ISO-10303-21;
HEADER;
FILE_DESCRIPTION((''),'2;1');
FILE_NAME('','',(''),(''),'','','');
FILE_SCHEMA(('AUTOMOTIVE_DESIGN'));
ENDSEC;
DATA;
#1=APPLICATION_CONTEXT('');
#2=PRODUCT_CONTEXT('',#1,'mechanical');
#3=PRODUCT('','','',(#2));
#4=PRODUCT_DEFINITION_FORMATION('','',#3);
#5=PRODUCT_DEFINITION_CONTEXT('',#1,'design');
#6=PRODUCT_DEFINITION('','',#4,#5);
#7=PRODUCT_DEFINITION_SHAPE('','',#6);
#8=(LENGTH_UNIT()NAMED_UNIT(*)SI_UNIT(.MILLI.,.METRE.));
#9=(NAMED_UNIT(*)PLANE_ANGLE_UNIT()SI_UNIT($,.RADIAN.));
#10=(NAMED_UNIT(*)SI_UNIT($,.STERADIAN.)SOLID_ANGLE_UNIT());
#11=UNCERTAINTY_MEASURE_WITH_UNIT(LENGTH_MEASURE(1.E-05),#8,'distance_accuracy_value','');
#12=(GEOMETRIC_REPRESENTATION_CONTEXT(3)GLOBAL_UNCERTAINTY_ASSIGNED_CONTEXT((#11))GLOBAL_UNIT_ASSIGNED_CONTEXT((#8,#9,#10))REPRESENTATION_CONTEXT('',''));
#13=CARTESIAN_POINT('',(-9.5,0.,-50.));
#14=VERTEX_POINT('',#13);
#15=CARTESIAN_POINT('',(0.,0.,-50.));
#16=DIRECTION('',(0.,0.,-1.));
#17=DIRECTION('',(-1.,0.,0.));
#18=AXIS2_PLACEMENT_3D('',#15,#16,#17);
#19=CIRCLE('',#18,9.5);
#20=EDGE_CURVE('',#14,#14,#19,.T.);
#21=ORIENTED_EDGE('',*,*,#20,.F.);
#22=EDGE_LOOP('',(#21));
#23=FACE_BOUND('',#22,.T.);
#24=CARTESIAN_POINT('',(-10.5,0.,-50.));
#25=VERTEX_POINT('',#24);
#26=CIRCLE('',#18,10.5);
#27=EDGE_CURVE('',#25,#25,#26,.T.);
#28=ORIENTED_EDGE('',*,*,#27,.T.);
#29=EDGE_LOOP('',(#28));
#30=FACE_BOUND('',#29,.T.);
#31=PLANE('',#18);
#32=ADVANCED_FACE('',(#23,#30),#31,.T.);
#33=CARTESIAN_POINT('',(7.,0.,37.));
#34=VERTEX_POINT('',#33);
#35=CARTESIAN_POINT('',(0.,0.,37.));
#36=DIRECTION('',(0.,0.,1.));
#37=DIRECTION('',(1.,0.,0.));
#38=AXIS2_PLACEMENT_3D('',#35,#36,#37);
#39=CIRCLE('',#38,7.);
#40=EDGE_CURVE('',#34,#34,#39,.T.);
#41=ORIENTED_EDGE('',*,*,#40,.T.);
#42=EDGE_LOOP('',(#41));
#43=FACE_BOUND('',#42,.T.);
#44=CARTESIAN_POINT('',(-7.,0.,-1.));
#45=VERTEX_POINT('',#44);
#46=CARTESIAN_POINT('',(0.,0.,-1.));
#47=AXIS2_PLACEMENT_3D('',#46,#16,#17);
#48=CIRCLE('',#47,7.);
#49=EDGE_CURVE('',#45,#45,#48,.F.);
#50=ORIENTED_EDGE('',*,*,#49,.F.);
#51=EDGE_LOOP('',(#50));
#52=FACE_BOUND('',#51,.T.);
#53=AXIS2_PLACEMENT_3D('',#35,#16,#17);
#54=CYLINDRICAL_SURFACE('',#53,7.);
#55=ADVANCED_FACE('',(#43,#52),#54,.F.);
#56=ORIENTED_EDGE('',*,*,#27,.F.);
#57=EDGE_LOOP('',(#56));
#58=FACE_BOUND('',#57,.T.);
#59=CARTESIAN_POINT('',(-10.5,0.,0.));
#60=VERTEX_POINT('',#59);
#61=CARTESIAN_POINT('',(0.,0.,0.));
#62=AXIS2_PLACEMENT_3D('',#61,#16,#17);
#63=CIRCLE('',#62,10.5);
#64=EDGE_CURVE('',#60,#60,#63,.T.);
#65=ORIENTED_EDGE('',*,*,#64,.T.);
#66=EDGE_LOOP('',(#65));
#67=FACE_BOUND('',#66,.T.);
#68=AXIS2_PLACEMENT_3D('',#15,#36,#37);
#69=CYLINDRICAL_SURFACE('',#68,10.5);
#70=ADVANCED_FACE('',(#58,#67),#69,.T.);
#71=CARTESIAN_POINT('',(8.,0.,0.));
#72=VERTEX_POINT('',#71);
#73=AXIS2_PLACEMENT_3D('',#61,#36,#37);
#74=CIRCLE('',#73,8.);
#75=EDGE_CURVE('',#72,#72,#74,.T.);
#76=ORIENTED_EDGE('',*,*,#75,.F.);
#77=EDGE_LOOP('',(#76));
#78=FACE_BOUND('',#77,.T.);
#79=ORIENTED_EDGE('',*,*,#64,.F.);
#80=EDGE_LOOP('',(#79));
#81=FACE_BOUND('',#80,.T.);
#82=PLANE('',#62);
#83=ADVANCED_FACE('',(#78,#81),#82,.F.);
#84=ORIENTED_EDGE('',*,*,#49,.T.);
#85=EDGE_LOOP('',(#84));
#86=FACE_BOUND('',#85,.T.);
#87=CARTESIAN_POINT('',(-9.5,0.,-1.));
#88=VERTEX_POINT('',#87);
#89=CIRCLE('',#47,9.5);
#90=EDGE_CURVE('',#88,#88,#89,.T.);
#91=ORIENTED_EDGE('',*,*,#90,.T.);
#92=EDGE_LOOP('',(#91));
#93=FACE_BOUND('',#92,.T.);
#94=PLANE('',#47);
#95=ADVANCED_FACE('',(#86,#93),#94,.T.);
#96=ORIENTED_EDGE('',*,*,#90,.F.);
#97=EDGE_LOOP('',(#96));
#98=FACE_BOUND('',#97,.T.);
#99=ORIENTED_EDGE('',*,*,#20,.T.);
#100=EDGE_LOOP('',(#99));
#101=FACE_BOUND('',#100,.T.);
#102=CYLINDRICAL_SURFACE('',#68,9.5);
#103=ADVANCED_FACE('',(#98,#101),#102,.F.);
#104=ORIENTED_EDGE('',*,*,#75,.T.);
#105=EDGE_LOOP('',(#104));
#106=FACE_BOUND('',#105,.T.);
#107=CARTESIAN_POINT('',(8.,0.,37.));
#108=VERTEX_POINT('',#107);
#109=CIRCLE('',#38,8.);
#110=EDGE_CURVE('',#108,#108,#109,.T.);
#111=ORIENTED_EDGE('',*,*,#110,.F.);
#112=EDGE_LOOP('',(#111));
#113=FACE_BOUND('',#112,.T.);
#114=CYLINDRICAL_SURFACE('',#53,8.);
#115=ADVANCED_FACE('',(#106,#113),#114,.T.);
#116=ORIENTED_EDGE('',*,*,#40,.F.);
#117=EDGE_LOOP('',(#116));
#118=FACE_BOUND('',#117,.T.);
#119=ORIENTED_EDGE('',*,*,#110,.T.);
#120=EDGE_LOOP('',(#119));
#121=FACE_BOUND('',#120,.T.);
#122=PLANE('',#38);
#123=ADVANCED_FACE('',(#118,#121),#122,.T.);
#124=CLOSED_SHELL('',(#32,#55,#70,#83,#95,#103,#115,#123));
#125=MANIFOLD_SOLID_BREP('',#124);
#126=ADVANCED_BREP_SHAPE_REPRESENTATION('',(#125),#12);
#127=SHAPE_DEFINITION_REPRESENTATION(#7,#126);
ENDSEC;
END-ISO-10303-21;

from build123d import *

# Parameters (mm, degrees)
SKETCH1_R           = 8
BOSS_EXTRUDE2_DEPTH = 37
SKETCH4_R           = 10.5
BOSS_EXTRUDE4_DEPTH = 50
SHELL1_T            = -1
CUT_EXTRUDE2_REACH  = 90.258
SKETCH5_R           = 9.5


with BuildPart() as part:
    # Sketch1 → Boss-Extrude2 (new body)
    with BuildSketch(Plane.XY):
        Circle(SKETCH1_R)
    extrude(amount=BOSS_EXTRUDE2_DEPTH)

    # Sketch4 → Boss-Extrude4 (add)
    with BuildSketch(Plane(origin=(0, 0, 0), x_dir=(-1, 0, 0), z_dir=(0, 0, -1))):
        Circle(SKETCH4_R)
    extrude(amount=BOSS_EXTRUDE4_DEPTH)

    # Shell1
    shell1_openings = [part.faces().sort_by_distance(p)[0] for p in [
        (0, 0, 37),
    ]]
    offset(amount=SHELL1_T, openings=shell1_openings, kind=Kind.INTERSECTION)

    # Sketch5 → Cut-Extrude2 (cut, up to next)
    with BuildSketch(Plane(origin=(0, 0, -50), x_dir=(-1, 0, 0), z_dir=(0, 0, -1)), mode=Mode.PRIVATE) as cut_extrude2_sk1:
        Circle(SKETCH5_R)
    cut_extrude2_tool1 = extrude(cut_extrude2_sk1.sketch, amount=-CUT_EXTRUDE2_REACH, mode=Mode.PRIVATE) & part.part
    add(cut_extrude2_tool1.solids().sort_by_distance((0, 0, -50))[0], mode=Mode.SUBTRACT)


solid = part.part
